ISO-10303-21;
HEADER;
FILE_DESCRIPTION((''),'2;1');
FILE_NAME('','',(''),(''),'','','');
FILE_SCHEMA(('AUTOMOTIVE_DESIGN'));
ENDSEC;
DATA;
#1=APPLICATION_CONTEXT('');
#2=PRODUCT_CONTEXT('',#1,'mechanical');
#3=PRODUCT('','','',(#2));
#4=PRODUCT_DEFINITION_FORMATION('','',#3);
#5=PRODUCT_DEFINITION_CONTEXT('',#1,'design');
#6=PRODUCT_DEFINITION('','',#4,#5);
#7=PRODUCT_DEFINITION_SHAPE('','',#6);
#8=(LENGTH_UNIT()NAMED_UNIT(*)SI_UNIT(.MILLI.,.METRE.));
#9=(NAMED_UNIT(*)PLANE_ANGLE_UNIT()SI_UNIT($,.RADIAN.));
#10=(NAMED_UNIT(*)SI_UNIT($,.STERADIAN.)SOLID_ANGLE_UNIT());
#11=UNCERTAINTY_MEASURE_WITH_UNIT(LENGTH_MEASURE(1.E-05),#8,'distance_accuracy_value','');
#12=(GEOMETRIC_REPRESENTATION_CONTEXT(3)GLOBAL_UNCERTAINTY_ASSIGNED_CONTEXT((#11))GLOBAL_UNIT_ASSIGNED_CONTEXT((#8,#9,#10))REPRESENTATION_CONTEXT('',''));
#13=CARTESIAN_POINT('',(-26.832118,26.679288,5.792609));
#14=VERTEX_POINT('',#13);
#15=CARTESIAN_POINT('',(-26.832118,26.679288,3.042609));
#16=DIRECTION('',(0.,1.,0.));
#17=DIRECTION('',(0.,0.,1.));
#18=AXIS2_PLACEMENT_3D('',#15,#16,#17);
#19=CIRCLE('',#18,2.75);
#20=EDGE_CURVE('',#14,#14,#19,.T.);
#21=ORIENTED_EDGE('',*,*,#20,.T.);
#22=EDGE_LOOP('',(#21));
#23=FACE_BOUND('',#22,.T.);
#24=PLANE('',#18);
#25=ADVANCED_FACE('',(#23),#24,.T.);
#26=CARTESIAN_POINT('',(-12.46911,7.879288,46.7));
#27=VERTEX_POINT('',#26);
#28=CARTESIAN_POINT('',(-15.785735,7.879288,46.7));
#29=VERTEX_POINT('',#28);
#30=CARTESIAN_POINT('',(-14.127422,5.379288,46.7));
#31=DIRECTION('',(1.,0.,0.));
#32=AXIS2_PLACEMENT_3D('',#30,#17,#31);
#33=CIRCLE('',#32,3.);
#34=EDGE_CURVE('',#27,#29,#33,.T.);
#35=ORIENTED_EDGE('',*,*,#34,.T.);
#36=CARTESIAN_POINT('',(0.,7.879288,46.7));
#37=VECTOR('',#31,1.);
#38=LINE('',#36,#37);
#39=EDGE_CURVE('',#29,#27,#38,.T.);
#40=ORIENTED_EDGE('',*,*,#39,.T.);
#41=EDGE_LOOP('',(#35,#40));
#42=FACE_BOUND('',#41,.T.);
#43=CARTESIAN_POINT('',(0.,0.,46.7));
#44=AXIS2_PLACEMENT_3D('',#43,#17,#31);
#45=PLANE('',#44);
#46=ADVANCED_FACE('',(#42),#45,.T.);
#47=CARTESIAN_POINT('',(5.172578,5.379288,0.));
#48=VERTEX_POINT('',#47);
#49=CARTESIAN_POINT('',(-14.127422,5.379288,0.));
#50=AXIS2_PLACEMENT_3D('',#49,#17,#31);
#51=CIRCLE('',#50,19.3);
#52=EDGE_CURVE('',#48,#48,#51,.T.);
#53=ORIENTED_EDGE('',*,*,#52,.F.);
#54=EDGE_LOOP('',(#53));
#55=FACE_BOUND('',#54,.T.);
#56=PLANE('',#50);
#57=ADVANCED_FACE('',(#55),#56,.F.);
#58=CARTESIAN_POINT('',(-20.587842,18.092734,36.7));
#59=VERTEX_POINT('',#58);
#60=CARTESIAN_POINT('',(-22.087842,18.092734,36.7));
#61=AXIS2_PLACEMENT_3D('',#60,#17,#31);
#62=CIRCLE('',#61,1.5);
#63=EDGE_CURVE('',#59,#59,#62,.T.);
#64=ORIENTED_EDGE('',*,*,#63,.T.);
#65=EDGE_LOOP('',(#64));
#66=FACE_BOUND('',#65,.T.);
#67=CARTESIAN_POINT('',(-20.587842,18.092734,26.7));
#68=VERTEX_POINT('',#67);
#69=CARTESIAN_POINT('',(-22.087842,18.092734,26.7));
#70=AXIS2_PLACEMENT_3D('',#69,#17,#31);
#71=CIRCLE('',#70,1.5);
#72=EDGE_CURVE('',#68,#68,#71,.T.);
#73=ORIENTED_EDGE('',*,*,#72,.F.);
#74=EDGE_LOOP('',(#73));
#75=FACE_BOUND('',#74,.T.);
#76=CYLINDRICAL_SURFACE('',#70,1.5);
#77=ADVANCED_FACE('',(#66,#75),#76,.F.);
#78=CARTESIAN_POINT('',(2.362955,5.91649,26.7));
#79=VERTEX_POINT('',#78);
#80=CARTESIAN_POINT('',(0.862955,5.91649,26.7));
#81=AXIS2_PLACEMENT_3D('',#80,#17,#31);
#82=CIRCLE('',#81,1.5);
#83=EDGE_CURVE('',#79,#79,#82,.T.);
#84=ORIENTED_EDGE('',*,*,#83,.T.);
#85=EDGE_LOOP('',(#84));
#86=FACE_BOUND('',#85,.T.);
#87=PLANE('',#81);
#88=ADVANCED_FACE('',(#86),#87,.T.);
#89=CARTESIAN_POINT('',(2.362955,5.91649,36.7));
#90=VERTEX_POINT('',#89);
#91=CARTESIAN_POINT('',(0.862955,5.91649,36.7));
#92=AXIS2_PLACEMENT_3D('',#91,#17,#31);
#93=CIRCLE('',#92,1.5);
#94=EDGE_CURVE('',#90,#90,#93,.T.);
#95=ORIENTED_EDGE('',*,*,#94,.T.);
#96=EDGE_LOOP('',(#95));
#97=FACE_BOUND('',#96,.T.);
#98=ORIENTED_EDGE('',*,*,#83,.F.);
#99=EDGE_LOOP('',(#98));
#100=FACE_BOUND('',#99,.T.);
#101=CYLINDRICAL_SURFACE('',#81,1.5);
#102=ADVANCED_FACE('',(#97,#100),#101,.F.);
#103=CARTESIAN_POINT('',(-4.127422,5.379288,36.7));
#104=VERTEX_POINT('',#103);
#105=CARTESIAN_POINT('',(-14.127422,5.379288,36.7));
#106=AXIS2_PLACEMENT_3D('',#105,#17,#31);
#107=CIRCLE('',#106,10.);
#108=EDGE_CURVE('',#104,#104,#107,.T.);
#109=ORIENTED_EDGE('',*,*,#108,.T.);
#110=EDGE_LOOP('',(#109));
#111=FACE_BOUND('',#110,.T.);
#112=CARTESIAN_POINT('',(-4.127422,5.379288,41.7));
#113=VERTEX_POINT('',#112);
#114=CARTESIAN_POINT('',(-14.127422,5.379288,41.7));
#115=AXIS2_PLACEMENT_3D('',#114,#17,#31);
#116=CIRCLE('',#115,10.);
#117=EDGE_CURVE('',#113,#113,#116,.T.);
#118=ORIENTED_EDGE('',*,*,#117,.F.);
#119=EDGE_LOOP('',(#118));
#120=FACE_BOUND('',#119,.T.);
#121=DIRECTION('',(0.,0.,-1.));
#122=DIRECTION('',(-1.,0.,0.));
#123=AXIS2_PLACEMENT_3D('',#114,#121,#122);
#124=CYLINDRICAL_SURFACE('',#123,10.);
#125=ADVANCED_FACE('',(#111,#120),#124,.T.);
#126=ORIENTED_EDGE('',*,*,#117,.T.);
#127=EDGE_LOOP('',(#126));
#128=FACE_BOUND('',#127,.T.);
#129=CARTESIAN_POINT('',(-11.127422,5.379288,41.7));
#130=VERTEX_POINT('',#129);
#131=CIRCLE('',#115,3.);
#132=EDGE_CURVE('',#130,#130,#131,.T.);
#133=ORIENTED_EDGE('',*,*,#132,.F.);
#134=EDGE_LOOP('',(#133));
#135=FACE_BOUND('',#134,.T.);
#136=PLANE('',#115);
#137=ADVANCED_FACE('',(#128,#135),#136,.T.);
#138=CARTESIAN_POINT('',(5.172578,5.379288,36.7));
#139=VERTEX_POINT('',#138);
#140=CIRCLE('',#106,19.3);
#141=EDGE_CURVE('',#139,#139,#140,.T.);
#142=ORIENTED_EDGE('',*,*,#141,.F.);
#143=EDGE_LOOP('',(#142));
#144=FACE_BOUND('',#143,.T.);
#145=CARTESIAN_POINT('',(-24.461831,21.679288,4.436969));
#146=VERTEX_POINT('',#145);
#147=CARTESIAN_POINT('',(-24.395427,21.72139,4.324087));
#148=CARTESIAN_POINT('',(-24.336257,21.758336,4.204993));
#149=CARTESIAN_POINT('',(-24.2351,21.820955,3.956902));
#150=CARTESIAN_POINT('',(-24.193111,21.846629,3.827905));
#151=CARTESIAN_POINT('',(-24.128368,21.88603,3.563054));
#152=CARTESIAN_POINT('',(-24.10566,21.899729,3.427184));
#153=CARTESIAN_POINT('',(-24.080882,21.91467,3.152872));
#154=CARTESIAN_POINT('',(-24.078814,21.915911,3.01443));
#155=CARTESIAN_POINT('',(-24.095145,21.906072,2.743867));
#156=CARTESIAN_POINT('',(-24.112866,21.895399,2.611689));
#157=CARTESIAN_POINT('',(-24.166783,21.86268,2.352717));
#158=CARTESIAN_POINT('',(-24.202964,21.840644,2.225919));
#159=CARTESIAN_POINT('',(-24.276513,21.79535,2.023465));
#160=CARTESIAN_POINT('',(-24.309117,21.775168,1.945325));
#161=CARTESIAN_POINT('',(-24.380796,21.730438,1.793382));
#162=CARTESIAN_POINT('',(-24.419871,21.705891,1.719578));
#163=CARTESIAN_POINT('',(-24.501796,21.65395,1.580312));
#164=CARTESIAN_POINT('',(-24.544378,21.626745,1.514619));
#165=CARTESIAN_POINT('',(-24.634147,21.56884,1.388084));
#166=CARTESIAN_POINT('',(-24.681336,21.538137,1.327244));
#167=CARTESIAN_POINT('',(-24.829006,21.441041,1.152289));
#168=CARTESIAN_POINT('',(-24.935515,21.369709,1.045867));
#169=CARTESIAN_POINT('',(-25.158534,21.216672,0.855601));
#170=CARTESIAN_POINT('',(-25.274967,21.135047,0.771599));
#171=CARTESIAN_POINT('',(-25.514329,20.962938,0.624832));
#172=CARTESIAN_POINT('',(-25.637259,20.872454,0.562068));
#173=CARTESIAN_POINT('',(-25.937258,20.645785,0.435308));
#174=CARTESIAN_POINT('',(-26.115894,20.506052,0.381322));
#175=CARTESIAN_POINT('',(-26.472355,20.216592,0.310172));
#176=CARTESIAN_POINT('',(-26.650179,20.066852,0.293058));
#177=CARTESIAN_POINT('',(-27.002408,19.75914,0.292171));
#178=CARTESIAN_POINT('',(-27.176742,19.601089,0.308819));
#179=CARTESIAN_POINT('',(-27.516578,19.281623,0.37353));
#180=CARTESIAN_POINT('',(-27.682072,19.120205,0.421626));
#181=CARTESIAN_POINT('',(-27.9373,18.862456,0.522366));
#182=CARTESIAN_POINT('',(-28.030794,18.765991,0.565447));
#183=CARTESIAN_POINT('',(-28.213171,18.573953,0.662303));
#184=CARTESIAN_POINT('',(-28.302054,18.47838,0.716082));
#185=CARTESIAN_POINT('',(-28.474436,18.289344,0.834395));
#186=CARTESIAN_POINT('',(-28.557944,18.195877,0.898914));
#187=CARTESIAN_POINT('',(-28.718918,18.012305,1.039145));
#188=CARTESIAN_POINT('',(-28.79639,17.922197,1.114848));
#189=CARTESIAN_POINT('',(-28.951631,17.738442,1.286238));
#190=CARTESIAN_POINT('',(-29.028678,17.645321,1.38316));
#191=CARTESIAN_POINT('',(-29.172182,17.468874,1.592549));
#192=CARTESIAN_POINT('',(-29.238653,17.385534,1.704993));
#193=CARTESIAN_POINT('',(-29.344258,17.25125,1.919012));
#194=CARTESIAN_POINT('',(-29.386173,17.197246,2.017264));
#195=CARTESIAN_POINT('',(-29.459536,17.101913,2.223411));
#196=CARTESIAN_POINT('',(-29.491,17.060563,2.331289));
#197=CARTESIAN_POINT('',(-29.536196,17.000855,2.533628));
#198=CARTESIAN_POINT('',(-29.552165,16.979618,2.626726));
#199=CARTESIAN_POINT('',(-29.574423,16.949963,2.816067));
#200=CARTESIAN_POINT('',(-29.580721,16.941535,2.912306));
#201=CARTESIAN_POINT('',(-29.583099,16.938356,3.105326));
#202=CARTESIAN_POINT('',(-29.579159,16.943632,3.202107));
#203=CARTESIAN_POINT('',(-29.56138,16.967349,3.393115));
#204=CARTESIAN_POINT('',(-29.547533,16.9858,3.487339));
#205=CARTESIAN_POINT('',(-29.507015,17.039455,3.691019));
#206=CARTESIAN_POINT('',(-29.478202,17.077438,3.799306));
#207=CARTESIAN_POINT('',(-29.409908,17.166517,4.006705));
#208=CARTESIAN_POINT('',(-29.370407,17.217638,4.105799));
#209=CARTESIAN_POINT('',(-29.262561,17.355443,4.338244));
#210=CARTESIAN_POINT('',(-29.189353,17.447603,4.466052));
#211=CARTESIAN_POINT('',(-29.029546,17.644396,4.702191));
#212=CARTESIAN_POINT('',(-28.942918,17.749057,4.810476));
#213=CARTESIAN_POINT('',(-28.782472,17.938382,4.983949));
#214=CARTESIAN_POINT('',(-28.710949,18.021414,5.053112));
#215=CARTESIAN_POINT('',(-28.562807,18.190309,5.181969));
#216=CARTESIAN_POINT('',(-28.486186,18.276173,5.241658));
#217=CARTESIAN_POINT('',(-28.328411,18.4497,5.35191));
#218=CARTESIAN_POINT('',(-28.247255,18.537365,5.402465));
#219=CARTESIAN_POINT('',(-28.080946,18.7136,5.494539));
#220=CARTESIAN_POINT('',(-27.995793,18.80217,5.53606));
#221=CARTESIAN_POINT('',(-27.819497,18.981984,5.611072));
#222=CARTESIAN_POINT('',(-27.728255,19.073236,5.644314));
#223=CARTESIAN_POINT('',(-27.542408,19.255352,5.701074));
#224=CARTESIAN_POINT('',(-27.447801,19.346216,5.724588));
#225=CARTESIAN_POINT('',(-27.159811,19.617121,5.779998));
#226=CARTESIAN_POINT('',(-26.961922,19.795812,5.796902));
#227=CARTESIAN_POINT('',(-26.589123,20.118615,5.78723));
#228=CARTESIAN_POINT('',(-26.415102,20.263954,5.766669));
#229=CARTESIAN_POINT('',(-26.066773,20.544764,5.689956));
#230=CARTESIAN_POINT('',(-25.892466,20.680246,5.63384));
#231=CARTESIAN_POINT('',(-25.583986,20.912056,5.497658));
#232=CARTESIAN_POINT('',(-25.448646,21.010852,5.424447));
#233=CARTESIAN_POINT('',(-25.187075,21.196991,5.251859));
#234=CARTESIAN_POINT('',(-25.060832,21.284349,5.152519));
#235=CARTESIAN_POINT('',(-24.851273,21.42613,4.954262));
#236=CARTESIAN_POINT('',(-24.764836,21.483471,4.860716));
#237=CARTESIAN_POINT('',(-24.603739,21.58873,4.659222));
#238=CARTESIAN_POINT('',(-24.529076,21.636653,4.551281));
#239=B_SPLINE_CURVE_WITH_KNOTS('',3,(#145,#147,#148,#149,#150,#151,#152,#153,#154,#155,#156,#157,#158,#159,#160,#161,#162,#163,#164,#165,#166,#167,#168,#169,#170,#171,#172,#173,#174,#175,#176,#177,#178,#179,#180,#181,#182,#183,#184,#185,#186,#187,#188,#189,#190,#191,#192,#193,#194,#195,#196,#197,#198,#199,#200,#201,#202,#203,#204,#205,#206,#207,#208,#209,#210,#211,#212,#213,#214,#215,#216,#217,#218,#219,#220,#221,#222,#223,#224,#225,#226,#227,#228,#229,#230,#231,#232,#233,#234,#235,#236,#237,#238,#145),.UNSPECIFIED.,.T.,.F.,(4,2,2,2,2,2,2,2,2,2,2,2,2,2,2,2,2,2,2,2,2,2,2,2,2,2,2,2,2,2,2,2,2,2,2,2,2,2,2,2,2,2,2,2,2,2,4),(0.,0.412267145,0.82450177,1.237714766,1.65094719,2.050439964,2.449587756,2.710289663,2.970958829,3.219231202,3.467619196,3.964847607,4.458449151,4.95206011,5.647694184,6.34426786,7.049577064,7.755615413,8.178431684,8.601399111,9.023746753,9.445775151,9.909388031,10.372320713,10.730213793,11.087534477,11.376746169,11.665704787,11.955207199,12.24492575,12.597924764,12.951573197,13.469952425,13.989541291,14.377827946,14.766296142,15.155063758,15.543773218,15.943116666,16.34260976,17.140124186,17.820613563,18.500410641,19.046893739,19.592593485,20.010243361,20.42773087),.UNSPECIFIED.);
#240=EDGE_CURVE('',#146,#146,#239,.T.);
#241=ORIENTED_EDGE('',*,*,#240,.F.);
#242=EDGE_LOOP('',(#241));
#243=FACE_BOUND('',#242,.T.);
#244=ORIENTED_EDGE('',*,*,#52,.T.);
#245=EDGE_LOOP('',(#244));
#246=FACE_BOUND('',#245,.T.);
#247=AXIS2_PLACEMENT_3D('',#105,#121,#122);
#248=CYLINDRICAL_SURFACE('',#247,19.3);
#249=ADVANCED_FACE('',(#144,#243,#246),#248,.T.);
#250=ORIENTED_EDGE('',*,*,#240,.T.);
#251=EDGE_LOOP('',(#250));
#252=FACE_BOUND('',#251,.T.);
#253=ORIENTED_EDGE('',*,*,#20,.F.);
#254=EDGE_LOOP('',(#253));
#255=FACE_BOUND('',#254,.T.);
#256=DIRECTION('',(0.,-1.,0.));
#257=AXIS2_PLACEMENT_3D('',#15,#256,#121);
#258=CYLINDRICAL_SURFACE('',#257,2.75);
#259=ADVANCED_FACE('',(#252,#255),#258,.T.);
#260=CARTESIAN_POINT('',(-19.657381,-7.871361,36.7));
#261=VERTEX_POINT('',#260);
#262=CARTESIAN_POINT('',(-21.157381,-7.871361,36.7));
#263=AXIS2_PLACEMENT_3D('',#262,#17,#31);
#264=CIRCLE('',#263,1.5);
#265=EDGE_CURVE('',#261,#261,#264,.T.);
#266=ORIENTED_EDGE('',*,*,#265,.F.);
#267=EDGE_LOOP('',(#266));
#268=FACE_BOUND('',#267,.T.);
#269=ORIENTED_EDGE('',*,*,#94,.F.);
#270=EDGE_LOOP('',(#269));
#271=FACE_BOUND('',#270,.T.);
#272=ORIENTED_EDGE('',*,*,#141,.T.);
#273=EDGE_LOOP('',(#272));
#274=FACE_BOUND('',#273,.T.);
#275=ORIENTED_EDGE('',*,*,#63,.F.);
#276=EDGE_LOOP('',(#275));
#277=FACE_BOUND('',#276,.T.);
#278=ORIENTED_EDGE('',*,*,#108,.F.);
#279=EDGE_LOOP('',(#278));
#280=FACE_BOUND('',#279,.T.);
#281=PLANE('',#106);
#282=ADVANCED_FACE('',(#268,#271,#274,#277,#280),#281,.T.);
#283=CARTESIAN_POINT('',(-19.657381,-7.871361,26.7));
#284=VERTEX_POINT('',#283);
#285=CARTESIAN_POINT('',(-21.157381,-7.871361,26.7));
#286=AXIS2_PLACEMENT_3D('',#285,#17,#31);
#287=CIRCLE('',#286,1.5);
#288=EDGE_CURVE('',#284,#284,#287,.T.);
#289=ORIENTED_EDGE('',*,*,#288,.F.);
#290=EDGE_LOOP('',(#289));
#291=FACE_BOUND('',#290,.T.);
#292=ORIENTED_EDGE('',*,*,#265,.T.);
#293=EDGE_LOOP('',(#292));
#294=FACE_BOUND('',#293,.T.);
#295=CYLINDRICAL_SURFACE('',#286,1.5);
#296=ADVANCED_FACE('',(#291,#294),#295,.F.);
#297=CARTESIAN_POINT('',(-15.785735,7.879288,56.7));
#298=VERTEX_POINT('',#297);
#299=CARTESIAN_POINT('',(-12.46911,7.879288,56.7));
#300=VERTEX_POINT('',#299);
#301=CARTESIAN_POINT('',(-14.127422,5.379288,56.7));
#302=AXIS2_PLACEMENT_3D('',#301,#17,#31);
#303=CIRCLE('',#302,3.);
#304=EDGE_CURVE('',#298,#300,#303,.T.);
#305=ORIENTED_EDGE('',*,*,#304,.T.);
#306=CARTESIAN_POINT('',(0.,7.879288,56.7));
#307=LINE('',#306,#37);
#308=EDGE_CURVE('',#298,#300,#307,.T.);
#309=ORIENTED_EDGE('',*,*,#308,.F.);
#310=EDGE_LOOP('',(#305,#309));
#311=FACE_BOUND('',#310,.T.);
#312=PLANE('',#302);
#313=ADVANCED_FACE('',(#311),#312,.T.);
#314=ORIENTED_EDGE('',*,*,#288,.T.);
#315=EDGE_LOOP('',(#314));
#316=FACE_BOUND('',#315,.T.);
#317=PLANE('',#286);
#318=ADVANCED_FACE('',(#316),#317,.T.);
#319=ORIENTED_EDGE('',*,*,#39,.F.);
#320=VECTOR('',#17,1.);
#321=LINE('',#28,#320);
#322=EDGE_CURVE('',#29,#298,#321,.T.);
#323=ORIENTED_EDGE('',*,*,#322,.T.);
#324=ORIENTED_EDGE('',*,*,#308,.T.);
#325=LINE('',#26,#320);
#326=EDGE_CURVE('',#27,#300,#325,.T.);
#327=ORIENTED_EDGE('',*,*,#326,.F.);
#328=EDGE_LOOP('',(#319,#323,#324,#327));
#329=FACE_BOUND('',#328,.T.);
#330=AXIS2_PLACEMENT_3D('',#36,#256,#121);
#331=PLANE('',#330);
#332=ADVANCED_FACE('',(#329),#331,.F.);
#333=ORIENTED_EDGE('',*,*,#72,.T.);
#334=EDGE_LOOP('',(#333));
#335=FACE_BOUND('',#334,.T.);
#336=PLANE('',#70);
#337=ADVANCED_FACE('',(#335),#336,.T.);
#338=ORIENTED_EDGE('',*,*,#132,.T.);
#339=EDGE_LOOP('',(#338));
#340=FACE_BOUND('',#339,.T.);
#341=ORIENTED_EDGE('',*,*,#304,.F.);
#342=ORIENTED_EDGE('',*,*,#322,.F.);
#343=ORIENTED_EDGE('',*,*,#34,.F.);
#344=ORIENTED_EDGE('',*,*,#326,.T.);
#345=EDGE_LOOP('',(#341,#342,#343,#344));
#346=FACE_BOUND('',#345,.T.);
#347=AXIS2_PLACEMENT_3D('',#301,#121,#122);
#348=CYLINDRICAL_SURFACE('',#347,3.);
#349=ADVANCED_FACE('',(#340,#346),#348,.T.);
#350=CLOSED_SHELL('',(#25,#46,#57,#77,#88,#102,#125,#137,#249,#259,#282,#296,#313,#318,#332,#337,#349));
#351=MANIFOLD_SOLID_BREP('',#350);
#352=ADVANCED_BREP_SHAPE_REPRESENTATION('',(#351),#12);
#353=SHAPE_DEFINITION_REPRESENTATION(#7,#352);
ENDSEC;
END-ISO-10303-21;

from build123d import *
from build123d.topology import SkipClean

# Parameters (mm, degrees)
SKETCH1_R           = 19.3
BOSS_EXTRUDE1_DEPTH = 36.7
SKETCH3_R           = 10
BOSS_EXTRUDE2_DEPTH = 5
SKETCH4_R           = 3
BOSS_EXTRUDE3_DEPTH = 15
BOSS_EXTRUDE4_START = -3
SKETCH8_R           = 2.75
BOSS_EXTRUDE4_DEPTH = 15
SKETCH9_R           = 2.75
BOSS_EXTRUDE5_DEPTH = 5
SKETCH5_R           = 1.5
CUT_EXTRUDE1_DEPTH  = 10
CUT_EXTRUDE2_DEPTH  = 10


with BuildPart() as part:
    # Sketch1 → Boss-Extrude1 (new body)
    with BuildSketch(Plane.XY):
        with Locations((-14.127422454, 5.37928778)):
            Circle(SKETCH1_R)
    extrude(amount=BOSS_EXTRUDE1_DEPTH)

    # Sketch3 → Boss-Extrude2 (add)
    with BuildSketch(Plane.XY.offset(36.7)):
        with Locations((-14.127422454, 5.37928778)):
            Circle(SKETCH3_R)
    extrude(amount=BOSS_EXTRUDE2_DEPTH)

    # Sketch4 → Boss-Extrude3 (add)
    with BuildSketch(Plane.XY.offset(41.7)):
        with Locations((-14.127422454, 5.37928778)):
            Circle(SKETCH4_R)
    extrude(amount=BOSS_EXTRUDE3_DEPTH)



with BuildPart() as body_2:
    # Sketch8 → Boss-Extrude4 (new body)
    with BuildSketch(Plane(origin=(0, 24.67928778, 0), x_dir=(1, 0, 0), z_dir=(0, 1, 0)).offset(BOSS_EXTRUDE4_START)):
        with Locations(Location((-26.832117877, -3.04260895, 0), (0, 0, 270))):
            Circle(SKETCH8_R)
    extrude(amount=-BOSS_EXTRUDE4_DEPTH)


with BuildPart() as part_1:
    with SkipClean():  # the faces are left unmerged after this step: merging them gives an invalid solid
        add(part.part)

        add(body_2.part)  # Boss-Extrude5 merges body 2
        # Sketch9 → Boss-Extrude5 (add)
        with BuildSketch(Plane(origin=(0, 21.67928778, 0), x_dir=(1, 0, 0), z_dir=(0, 1, 0))):
            with Locations(Location((-26.832117877, -3.04260895, 0), (0, 0, 329.533131332))):
                Circle(SKETCH9_R)
        extrude(amount=BOSS_EXTRUDE5_DEPTH)

    # Sketch5 → Cut-Extrude1 (cut)
    with SkipClean():  # the faces are left unmerged after this step: merging them gives an invalid solid
        with BuildSketch(Plane.XY.offset(36.7)):
            with Locations((0.862954929, 5.91648973)):
                Circle(SKETCH5_R)
            with Locations((-21.15738061, -7.87136082)):
                Circle(SKETCH5_R)
            with Locations((-22.08784168, 18.092734431)):
                Circle(SKETCH5_R)
        extrude(amount=-CUT_EXTRUDE1_DEPTH, mode=Mode.SUBTRACT)

    # Sketch10 → Cut-Extrude2 (cut)
    with SkipClean():  # the faces are left unmerged after this step: merging them gives an invalid solid
        with BuildSketch(Plane.XY.offset(56.7)):
            Polygon((-86.266834938, 7.87928778), (-15.785734849, 7.87928778), (-12.469110059, 7.87928778), (58.011990031, 7.87928778), (58.011990031, 148.841487959), (-86.266834938, 148.841487959), align=None)
        extrude(amount=-CUT_EXTRUDE2_DEPTH, mode=Mode.SUBTRACT)


solid = part_1.part
